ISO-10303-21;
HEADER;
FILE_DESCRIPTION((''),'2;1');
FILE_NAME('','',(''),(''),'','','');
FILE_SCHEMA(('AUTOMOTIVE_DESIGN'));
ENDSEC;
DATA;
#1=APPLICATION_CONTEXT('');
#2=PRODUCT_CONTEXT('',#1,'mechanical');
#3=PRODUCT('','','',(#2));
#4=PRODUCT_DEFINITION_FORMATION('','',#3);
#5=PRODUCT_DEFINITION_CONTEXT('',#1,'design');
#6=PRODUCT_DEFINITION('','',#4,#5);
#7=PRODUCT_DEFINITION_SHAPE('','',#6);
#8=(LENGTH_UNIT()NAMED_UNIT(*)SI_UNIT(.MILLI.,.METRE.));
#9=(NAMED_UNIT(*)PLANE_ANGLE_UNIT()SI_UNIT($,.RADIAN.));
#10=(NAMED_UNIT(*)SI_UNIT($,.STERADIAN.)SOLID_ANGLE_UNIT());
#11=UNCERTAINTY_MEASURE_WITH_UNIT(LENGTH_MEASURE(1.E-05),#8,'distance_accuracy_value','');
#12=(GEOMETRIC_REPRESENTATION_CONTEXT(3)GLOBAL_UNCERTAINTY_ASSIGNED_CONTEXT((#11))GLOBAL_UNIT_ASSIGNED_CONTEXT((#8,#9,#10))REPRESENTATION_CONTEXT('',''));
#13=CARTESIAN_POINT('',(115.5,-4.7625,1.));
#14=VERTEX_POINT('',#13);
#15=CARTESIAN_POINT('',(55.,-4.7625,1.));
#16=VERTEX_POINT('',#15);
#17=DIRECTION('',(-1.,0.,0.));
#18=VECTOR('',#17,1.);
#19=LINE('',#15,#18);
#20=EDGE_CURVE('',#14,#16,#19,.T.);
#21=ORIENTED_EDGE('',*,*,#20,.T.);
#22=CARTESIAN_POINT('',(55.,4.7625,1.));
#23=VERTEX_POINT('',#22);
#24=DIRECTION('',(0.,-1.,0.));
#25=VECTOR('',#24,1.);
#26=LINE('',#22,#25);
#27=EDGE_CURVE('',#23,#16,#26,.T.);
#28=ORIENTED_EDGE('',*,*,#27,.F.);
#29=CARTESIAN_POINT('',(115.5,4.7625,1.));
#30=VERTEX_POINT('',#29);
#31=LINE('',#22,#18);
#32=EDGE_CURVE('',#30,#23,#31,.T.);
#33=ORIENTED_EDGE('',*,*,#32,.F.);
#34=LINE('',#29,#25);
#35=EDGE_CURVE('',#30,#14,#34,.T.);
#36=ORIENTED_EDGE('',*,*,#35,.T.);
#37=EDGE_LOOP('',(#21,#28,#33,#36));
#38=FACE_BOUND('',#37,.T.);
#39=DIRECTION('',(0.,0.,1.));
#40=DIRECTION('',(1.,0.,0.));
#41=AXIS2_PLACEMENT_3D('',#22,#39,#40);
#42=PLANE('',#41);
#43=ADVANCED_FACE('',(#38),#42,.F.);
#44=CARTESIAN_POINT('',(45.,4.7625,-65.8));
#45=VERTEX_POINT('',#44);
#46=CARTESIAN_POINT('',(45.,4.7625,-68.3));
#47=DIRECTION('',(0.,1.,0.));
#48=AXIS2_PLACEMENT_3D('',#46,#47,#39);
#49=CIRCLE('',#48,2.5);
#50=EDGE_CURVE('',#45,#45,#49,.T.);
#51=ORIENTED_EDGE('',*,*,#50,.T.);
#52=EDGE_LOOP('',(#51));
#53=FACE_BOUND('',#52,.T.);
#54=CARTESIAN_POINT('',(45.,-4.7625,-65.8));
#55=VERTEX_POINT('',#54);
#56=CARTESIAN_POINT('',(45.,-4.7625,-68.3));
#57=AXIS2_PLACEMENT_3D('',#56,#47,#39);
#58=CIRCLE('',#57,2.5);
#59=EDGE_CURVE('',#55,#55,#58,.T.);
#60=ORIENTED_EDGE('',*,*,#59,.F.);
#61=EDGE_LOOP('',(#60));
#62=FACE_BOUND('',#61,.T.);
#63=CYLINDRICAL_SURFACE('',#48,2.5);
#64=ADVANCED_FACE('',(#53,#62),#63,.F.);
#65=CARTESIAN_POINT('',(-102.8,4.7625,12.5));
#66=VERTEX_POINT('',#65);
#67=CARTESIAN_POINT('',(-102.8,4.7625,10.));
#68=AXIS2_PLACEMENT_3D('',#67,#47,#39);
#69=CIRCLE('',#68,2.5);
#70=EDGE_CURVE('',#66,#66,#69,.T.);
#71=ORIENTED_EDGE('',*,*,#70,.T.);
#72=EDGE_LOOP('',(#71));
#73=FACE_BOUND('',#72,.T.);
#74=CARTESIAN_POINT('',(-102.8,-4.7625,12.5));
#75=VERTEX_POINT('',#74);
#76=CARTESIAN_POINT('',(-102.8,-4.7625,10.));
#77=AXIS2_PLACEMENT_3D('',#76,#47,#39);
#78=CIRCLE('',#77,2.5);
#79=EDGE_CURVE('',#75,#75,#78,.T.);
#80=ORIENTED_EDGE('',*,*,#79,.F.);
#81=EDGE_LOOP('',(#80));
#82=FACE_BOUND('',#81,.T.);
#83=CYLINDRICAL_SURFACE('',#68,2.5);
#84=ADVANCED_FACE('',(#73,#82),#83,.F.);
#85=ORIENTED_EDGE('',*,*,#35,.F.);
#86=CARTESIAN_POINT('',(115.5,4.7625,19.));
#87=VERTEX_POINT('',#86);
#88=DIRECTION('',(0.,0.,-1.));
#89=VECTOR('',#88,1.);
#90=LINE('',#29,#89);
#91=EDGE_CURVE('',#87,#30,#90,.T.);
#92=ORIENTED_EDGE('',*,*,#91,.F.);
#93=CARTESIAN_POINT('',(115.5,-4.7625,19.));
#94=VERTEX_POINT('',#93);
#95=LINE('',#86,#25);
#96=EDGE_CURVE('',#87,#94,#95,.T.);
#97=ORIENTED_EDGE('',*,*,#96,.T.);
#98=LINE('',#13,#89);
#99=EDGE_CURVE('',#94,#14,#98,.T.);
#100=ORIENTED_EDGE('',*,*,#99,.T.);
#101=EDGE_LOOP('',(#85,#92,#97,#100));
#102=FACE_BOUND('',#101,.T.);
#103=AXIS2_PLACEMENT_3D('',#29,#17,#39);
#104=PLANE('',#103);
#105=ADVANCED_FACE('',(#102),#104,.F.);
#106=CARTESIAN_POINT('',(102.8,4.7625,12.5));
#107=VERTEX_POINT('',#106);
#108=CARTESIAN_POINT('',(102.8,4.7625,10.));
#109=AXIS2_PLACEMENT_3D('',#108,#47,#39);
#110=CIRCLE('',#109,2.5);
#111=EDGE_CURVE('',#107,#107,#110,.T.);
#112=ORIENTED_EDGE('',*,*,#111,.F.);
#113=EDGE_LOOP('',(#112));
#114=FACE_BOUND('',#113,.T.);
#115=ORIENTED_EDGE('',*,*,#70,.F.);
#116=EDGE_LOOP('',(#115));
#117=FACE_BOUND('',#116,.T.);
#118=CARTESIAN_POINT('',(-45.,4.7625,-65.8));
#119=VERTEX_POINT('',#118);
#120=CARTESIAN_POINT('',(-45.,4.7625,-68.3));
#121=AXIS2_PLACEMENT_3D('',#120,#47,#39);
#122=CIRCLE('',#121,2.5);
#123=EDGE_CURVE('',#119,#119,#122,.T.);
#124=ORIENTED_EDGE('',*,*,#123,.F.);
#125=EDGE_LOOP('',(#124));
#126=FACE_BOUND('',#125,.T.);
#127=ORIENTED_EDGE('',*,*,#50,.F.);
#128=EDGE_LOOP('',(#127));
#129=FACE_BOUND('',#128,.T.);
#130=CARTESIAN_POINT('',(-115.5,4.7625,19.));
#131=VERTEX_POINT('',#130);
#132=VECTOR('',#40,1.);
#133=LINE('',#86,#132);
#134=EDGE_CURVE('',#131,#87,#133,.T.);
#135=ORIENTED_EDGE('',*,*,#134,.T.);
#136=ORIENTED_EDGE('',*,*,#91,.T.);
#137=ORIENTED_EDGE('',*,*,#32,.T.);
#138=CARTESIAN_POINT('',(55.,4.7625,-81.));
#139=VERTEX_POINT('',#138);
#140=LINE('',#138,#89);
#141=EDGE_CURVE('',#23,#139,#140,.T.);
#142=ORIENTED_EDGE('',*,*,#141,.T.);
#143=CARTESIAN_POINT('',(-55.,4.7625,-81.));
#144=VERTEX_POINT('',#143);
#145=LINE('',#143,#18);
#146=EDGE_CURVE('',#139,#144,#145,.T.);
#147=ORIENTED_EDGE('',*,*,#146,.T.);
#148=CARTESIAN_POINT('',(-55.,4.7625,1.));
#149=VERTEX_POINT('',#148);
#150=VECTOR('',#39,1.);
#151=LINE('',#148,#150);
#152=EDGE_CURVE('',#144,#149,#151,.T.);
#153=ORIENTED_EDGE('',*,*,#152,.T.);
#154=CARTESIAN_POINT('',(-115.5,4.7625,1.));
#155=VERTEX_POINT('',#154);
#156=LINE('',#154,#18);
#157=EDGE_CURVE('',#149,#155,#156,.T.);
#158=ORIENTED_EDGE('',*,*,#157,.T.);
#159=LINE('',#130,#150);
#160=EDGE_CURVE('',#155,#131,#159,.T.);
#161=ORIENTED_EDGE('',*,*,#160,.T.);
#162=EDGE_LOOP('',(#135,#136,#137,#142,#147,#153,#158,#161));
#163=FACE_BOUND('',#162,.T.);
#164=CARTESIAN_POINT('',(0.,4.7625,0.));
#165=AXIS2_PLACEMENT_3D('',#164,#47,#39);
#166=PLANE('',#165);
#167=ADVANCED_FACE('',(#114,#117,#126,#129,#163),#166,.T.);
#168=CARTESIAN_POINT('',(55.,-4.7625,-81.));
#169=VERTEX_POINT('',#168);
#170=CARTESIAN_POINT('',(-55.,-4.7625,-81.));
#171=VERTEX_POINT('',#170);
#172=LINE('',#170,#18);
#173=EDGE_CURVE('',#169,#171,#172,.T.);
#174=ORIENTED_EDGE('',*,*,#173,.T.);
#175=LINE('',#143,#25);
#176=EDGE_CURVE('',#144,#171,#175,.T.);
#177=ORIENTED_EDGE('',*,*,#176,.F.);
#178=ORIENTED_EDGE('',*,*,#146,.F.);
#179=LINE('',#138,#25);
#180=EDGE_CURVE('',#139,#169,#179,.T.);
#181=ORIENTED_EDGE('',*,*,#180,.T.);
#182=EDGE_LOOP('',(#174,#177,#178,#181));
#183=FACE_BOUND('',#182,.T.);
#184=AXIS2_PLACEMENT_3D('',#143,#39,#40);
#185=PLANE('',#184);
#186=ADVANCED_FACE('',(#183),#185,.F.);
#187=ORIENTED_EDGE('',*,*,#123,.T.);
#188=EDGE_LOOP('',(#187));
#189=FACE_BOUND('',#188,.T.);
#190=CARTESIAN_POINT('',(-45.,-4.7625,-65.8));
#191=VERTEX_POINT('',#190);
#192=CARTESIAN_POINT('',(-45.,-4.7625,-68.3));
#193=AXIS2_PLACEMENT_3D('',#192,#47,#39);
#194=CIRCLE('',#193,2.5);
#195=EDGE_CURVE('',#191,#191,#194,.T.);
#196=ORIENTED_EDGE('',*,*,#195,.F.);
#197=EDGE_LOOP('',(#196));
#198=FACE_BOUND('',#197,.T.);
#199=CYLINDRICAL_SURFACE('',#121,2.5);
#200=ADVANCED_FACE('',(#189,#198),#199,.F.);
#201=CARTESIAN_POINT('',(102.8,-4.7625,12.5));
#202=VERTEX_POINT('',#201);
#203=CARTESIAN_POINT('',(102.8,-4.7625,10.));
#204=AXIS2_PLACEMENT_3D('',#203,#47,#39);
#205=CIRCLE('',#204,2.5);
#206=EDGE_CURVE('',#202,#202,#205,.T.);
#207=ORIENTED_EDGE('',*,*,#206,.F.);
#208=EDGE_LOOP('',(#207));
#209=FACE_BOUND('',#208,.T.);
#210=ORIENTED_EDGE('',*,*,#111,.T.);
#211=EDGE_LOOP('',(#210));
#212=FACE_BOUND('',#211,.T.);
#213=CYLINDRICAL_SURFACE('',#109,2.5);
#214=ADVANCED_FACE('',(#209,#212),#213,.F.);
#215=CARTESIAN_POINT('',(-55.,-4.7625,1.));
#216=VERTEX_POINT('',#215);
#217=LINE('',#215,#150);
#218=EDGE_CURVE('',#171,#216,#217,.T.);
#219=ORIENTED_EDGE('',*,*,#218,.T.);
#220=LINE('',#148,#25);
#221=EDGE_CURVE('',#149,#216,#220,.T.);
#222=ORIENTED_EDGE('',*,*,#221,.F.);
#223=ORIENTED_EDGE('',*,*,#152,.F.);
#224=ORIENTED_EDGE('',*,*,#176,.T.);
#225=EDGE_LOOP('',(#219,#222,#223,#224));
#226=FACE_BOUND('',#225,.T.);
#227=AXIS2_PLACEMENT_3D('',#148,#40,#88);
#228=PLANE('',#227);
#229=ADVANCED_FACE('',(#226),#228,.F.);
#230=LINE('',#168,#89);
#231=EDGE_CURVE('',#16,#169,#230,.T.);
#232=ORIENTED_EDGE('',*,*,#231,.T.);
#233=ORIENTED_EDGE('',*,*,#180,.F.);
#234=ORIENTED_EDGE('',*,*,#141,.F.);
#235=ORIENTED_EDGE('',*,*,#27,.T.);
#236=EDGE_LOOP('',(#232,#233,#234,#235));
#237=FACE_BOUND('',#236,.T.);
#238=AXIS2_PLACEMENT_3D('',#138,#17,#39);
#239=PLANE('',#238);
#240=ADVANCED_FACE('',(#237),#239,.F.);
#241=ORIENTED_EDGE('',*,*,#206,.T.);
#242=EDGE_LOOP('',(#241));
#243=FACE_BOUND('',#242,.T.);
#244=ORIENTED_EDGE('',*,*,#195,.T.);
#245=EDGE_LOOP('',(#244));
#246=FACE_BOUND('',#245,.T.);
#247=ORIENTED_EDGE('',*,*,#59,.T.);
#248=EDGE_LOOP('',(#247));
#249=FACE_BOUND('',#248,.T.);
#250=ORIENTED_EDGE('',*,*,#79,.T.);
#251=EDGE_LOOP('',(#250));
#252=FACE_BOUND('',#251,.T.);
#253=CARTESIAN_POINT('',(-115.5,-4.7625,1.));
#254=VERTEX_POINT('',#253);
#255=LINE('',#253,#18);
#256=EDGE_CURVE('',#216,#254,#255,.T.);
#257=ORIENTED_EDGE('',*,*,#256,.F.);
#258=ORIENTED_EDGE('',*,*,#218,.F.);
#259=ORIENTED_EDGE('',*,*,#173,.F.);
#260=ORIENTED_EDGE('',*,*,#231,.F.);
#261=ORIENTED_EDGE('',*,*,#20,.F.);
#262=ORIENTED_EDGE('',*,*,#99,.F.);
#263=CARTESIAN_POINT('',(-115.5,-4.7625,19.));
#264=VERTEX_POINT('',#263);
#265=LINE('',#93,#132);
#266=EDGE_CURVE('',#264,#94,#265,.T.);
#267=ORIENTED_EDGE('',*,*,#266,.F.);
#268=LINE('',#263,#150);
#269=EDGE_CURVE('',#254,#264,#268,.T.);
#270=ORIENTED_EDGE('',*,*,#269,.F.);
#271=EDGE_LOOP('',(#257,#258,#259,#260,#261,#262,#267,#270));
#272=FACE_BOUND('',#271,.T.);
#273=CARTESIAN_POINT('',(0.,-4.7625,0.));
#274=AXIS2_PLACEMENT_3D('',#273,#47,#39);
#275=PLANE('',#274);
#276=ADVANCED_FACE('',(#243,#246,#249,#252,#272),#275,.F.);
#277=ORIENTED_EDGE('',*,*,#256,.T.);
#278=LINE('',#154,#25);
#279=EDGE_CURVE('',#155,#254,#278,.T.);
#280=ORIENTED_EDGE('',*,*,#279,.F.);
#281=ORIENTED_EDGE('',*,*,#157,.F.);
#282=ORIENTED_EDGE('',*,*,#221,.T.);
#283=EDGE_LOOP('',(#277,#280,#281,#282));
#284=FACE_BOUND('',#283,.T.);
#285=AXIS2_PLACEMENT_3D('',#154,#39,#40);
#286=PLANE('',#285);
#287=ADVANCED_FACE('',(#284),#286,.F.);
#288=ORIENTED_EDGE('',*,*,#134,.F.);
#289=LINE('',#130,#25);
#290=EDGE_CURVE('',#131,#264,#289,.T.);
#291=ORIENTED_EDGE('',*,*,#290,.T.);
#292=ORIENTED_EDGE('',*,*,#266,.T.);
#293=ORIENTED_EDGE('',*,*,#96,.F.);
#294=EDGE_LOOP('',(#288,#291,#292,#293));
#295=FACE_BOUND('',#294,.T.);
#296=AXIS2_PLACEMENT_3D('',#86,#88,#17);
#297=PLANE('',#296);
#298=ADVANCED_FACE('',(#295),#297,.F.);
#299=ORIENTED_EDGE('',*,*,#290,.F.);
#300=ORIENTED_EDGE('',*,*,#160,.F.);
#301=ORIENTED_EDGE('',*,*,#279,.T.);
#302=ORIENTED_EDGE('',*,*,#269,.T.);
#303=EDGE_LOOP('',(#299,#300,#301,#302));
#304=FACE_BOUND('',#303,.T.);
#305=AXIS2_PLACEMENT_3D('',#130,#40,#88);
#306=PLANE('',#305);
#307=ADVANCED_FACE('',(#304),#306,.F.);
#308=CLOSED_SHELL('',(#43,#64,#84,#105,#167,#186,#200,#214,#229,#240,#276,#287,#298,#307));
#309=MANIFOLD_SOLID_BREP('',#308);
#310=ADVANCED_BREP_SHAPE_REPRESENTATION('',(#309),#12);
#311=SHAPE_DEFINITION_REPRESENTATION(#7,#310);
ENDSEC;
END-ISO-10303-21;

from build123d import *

# Parameters (mm, degrees)
BOSS_EXTRUDE1_DEPTH             = 4.7625
TAP_DRILL_FOR_M6X1_0_TAP1_D     = 5
TAP_DRILL_FOR_M6X1_0_TAP1_DEPTH = 9.525


with BuildPart() as part:
    # Sketch1 → Boss-Extrude1 (new body, symmetric)
    with BuildSketch(Plane(origin=(0, 0, 0), x_dir=(1, 0, 0), z_dir=(0, 1, 0))):
        Polygon((-55, -1), (-55, 81), (55, 81), (55, -1), (115.5, -1), (115.5, -19), (-115.5, -19), (-115.5, -1), align=None)
    extrude(amount=BOSS_EXTRUDE1_DEPTH, both=True)

    # Tap Drill for M6x1.0 Tap1
    with Locations(Plane(origin=(0, 4.7625, 0), x_dir=(1, 0, 0), z_dir=(0, 1, 0))):
        with Locations((-45, 68.3), (45, 68.3), (-102.8, -10), (102.8, -10)):
            Hole(TAP_DRILL_FOR_M6X1_0_TAP1_D / 2, depth=TAP_DRILL_FOR_M6X1_0_TAP1_DEPTH)


solid = part.part
